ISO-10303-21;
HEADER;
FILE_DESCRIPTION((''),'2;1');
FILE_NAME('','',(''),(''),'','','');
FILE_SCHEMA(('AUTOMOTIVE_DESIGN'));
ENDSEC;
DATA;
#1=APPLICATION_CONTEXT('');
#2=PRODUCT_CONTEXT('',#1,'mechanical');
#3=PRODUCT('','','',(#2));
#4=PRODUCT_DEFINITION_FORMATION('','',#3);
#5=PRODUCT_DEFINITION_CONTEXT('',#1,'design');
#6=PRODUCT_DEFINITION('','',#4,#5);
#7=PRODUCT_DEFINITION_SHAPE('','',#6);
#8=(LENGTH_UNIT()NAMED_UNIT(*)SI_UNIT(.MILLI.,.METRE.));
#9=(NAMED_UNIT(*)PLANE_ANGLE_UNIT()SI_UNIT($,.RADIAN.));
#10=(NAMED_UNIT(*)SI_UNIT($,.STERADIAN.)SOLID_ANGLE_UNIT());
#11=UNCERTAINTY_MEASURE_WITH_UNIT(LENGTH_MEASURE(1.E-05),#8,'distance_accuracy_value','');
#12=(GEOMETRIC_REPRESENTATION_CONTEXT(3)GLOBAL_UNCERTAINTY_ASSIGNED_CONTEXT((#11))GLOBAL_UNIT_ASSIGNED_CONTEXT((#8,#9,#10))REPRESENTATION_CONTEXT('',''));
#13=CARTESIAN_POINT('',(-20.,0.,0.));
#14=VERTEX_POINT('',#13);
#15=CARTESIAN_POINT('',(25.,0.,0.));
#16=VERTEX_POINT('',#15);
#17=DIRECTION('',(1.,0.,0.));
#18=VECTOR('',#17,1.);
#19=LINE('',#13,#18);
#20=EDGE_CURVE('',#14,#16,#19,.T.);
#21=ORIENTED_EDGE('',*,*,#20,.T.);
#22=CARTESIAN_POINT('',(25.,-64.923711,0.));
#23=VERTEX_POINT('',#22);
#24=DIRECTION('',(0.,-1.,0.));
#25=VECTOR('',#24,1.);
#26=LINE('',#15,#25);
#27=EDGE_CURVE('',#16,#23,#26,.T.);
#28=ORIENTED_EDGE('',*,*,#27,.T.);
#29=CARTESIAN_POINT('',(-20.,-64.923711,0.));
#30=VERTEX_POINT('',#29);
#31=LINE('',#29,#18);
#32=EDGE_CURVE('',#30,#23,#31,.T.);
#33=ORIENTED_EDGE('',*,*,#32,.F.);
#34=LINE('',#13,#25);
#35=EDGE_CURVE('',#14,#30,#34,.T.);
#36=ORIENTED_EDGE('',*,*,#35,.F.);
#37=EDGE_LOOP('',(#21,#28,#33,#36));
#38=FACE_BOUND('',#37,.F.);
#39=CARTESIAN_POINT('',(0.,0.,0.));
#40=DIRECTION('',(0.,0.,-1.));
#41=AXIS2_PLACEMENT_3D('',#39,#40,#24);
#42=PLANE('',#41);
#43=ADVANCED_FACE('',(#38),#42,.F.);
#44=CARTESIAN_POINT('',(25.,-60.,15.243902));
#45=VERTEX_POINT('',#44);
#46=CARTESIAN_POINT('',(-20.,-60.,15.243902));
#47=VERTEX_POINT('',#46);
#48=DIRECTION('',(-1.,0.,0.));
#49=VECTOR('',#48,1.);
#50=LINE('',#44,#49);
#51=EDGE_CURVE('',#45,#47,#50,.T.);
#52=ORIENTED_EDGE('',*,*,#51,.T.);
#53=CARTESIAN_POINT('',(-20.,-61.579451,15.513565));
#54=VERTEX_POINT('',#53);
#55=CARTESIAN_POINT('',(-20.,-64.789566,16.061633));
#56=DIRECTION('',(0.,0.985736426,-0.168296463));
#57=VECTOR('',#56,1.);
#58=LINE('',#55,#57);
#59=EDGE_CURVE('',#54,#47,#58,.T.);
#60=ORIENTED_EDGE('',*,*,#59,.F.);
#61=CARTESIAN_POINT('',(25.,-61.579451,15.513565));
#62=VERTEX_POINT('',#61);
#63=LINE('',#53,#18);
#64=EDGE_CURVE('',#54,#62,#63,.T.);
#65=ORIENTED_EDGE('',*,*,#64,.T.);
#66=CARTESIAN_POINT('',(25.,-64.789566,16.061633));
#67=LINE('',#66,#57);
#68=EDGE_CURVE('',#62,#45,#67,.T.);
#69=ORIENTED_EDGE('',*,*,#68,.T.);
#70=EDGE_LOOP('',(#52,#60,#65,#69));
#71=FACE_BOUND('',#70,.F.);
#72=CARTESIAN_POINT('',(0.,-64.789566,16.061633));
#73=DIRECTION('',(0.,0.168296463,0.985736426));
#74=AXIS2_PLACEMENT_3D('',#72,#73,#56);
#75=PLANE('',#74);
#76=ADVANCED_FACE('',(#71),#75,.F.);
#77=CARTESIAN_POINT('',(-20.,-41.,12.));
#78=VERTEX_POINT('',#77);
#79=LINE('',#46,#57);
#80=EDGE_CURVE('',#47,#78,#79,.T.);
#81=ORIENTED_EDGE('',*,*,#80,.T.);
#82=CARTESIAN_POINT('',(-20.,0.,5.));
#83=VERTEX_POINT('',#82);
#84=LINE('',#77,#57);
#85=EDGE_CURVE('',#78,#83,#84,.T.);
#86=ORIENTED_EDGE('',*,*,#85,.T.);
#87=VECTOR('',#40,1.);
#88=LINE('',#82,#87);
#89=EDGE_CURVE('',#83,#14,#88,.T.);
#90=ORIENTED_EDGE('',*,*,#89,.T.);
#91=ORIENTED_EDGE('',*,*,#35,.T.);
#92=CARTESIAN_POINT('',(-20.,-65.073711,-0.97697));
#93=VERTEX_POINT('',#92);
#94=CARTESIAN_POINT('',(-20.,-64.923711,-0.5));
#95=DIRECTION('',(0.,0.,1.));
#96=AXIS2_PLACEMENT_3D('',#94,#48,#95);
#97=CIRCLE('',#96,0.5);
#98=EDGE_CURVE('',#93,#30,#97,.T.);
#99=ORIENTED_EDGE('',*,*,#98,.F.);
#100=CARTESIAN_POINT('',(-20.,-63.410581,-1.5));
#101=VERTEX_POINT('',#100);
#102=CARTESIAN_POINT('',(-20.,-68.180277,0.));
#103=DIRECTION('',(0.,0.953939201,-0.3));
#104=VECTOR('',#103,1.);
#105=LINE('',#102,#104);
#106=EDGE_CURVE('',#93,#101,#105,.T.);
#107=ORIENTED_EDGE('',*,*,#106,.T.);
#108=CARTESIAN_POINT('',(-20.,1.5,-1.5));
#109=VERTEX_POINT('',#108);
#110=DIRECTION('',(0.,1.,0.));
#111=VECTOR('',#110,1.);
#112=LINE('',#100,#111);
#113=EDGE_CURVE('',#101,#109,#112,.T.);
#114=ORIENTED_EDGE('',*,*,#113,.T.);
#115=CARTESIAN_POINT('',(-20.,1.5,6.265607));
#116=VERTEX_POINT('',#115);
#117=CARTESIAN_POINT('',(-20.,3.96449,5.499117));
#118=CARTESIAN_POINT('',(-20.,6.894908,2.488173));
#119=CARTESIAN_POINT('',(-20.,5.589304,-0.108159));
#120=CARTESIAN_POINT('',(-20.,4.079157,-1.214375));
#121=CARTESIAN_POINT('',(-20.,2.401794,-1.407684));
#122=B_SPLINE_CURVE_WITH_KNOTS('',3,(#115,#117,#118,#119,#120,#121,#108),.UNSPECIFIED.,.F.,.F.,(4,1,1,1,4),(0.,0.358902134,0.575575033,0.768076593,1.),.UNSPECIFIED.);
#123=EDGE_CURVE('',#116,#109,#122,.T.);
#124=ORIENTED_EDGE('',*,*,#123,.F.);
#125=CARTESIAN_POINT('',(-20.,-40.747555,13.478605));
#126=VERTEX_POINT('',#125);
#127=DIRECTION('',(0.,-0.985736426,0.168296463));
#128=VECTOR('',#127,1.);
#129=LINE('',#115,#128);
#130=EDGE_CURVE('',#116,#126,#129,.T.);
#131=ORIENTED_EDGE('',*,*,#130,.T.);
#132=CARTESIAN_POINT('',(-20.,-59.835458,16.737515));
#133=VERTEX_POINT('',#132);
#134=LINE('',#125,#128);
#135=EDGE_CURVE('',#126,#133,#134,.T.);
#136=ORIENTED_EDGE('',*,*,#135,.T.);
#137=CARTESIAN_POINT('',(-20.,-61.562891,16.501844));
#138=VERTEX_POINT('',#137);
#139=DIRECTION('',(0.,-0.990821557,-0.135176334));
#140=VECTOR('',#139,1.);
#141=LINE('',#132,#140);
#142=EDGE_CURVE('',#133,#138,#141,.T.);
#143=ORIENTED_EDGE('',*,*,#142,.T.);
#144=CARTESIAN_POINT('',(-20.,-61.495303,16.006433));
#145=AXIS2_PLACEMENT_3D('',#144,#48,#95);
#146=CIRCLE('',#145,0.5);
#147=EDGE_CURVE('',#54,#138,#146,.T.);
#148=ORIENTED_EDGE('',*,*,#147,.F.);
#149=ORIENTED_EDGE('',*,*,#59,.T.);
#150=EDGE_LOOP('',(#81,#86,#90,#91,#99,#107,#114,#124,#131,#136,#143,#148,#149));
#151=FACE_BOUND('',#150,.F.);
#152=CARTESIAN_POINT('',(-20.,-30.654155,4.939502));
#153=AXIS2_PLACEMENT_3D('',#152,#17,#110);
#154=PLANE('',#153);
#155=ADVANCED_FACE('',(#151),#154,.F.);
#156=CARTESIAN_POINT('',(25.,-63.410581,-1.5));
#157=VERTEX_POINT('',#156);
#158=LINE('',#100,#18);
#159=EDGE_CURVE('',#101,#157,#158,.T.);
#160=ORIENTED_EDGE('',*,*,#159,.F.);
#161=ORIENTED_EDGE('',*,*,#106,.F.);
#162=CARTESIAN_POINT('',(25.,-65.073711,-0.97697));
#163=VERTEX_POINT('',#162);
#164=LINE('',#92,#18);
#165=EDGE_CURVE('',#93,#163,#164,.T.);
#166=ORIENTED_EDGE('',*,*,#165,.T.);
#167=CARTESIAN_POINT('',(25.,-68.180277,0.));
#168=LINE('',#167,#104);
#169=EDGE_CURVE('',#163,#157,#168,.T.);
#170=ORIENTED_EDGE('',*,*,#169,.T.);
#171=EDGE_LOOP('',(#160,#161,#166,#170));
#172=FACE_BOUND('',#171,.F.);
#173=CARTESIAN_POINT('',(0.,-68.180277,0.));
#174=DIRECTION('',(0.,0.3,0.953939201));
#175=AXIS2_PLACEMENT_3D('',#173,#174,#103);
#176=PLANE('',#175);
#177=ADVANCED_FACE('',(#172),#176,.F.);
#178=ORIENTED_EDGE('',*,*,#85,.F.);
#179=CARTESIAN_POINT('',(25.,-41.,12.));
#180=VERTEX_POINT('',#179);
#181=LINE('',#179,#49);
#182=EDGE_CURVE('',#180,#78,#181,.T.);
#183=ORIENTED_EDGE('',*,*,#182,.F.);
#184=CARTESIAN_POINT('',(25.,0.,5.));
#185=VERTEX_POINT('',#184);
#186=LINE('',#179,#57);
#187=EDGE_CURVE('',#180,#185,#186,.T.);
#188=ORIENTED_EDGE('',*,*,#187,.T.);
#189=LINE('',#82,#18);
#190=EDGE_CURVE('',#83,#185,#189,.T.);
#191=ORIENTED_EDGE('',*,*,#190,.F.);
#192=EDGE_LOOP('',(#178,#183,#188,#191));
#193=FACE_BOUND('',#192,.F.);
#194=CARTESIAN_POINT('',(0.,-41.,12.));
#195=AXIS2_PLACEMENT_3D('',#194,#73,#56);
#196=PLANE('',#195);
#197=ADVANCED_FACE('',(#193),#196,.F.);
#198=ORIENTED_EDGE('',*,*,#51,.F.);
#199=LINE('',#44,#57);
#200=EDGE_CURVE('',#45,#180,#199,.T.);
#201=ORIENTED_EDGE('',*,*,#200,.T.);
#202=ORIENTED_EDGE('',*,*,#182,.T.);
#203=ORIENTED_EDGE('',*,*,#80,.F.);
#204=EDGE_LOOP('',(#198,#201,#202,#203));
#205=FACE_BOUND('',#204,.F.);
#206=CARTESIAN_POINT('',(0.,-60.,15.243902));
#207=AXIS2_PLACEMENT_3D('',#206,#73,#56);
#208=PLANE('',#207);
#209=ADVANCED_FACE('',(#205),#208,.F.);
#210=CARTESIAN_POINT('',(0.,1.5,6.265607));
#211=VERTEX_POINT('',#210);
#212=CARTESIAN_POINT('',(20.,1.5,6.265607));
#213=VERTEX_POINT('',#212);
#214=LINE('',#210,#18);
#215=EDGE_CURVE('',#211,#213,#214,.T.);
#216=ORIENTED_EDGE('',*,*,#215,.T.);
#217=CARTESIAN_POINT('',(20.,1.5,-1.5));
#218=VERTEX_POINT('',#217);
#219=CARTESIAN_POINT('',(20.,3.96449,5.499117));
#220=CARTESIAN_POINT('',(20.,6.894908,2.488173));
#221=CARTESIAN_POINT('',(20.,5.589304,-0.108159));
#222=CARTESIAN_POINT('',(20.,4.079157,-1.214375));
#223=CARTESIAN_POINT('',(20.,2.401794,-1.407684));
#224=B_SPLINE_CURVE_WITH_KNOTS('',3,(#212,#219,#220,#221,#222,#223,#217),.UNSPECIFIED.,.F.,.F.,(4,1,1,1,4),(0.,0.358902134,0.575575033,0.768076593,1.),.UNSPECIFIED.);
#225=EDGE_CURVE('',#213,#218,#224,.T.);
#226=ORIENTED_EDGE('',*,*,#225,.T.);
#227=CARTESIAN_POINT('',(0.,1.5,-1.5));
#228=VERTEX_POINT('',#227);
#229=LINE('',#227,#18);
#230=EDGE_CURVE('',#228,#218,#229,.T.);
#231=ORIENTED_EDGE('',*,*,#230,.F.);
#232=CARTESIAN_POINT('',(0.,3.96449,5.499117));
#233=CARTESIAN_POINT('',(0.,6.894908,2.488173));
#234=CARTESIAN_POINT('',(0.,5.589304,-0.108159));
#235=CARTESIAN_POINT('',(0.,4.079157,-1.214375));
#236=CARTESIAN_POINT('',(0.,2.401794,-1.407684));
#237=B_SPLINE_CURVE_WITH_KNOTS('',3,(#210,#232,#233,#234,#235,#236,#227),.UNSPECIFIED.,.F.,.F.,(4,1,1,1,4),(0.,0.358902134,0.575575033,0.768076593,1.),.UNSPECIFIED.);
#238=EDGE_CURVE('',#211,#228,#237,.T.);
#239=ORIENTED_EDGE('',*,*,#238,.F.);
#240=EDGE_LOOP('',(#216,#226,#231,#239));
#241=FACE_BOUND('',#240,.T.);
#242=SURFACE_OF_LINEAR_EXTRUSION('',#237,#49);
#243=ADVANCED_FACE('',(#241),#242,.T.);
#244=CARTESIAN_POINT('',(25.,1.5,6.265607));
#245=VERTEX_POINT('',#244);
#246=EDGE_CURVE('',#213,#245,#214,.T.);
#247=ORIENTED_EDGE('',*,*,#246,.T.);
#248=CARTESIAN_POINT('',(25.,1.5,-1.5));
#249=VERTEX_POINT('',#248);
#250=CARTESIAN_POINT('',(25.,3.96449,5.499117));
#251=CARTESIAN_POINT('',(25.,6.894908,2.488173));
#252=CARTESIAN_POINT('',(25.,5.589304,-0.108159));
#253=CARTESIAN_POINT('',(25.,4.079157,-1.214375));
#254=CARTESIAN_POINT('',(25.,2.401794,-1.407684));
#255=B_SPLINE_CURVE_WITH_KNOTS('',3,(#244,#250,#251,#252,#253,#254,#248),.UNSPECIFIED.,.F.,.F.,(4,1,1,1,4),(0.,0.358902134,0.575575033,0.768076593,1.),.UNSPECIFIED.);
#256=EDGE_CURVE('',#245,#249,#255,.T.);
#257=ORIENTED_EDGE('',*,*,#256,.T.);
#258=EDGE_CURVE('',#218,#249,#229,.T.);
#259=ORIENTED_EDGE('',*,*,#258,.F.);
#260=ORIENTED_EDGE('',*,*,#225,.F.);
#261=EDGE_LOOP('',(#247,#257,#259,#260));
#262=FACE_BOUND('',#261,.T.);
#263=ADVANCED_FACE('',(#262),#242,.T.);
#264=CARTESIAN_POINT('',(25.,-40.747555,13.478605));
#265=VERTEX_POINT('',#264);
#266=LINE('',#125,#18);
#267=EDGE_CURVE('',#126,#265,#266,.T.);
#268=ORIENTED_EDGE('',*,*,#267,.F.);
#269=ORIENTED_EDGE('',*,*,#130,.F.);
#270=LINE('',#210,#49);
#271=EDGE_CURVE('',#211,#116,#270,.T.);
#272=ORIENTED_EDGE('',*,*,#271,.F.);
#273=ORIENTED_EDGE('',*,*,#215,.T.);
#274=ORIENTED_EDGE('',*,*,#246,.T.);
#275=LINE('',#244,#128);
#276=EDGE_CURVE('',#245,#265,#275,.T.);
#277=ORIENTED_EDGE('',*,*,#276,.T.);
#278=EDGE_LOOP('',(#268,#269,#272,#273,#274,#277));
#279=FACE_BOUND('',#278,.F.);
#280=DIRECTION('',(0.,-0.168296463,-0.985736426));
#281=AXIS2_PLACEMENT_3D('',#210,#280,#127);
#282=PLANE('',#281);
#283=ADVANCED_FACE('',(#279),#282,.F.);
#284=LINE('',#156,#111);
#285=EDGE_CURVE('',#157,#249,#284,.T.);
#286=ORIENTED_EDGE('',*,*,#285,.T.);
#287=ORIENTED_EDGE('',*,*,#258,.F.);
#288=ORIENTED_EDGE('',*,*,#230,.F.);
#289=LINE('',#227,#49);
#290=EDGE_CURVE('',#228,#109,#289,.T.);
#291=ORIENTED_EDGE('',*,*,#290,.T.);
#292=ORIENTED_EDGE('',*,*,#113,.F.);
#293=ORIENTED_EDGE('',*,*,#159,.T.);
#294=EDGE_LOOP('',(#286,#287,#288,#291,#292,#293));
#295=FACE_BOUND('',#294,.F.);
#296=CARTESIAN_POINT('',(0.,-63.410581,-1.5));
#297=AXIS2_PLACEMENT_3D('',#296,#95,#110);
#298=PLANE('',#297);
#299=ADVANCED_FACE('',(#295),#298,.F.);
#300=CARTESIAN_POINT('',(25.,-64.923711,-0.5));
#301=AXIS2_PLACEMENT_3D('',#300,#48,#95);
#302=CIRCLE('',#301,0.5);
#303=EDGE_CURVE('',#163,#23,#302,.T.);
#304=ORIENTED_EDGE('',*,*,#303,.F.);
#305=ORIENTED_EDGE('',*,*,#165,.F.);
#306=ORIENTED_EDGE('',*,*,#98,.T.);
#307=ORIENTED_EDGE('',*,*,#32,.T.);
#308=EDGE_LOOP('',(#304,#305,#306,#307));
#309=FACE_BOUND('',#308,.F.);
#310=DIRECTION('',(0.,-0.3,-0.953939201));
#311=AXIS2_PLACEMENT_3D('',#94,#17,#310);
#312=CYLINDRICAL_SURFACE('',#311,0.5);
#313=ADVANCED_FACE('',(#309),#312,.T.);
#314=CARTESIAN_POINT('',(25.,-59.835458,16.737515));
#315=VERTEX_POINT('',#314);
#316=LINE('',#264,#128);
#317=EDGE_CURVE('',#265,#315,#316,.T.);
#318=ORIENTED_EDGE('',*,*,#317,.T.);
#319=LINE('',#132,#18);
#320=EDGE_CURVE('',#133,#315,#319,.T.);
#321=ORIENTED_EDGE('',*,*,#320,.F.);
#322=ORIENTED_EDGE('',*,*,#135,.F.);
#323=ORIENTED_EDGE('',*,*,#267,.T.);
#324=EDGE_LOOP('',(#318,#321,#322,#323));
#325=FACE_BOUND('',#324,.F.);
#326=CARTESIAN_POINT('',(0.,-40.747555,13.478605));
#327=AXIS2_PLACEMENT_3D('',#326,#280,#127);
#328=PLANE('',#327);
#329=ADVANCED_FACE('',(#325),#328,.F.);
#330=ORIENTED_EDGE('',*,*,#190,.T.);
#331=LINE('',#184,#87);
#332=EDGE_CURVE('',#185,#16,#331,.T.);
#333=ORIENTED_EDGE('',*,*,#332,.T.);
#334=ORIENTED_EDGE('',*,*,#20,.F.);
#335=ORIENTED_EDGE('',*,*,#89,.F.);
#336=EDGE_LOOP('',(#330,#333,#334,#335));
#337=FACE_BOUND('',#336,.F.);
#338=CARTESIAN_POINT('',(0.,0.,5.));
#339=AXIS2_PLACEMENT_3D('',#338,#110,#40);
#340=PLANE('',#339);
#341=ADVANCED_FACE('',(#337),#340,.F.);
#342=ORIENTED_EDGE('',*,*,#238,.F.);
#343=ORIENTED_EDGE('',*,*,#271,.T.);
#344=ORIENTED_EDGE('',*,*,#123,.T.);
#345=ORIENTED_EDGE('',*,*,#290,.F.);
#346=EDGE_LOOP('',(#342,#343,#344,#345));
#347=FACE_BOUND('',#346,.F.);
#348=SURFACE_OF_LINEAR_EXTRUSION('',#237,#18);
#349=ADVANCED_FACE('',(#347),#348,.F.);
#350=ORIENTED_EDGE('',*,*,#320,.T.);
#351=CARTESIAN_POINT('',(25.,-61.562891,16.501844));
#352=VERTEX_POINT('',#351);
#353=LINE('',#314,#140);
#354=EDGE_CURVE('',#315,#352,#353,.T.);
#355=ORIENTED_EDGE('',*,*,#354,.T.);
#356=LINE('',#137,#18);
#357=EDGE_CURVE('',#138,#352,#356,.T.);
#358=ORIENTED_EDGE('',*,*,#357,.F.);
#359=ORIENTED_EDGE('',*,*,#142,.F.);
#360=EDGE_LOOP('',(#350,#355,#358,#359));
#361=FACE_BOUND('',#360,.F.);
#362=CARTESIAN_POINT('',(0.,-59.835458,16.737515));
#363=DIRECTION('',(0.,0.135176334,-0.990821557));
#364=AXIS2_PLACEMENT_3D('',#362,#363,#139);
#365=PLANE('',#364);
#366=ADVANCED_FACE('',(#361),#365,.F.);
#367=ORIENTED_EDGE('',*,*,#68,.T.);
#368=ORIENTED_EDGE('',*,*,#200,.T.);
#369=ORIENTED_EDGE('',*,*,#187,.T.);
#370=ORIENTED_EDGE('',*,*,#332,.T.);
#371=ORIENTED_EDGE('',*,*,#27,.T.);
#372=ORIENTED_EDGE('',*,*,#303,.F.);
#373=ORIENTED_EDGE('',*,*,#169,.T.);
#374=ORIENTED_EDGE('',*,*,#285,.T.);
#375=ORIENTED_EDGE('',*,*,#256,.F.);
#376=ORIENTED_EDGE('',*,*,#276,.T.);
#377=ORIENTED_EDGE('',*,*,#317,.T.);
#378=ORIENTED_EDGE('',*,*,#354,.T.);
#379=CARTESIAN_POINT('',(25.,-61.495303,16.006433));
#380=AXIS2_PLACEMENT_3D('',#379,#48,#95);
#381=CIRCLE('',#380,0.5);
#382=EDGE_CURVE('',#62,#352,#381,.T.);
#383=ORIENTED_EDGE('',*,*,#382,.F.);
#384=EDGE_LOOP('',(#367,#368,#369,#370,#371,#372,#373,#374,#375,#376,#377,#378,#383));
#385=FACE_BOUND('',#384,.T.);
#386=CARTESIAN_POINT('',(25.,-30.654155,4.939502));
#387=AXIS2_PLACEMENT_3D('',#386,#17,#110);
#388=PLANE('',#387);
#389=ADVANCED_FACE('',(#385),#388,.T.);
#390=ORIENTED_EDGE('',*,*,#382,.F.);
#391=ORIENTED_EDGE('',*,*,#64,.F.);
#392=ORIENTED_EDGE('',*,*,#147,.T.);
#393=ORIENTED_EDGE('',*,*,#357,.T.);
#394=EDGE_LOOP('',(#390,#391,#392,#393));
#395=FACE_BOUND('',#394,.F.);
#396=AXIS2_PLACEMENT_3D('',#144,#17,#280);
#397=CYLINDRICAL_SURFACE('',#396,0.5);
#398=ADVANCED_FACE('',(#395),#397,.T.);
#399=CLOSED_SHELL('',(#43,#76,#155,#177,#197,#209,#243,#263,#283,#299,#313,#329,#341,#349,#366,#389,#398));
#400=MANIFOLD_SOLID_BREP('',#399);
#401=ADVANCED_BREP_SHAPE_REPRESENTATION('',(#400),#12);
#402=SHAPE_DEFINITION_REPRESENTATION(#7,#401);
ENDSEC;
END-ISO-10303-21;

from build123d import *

# Parameters (mm, degrees)
F1_DEPTH = 20
F2_DEPTH = 25
F3_R     = 0.5


with BuildPart() as f1:
    # F0 (on Right) → F1 (new body, symmetric)
    with BuildSketch(Plane.YZ):
        with BuildLine():
            Line((-41, 12), (0, 5))
            Line((0, 5), (0, 0))
            Line((0, 0), (-13, 0))
            Line((-13, 0), (-60, 0))
            Line((-60, 0), (-68.1802767269, 0))
            Line((-68.1802767269, 0), (-63.4105807199, -1.5))
            Line((-63.4105807199, -1.5), (-15.9391719951, -1.5))
            Line((-15.9391719951, -1.5), (1.5, -1.5))
            add(Edge.make_bspline(
                [(1.5, 6.265607391), (3.9644898677, 5.4991167031), (6.8949081715, 2.4881725012), (5.5893039586, -0.1081592765), (4.0791571197, -1.2143747147), (2.4017938603, -1.4076838823), (1.5, -1.5)],
                knots=[0, 0, 0, 0, 0.3589021343, 0.5755750332, 0.7680765927, 1, 1, 1, 1], degree=3))
            Line((1.5, 6.265607391), (-40.7475553057, 13.4786046383))
            Line((-40.7475553057, 13.4786046383), (-59.8354584084, 16.7375149241))
            Line((-59.8354584084, 16.7375149241), (-64.7895661956, 16.0616332529))
            Line((-64.7895661956, 16.0616332529), (-60, 15.243902439))
            Line((-60, 15.243902439), (-41, 12))
        make_face()
    extrude(amount=F1_DEPTH, both=True)

    # F0 (on Right) → F2 (join)
    with BuildSketch(Plane.YZ):
        with BuildLine():
            Line((-41, 12), (0, 5))
            Line((0, 5), (0, 0))
            Line((0, 0), (-13, 0))
            Line((-13, 0), (-60, 0))
            Line((-60, 0), (-68.1802767269, 0))
            Line((-68.1802767269, 0), (-63.4105807199, -1.5))
            Line((-63.4105807199, -1.5), (-15.9391719951, -1.5))
            Line((-15.9391719951, -1.5), (1.5, -1.5))
            add(Edge.make_bspline(
                [(1.5, 6.265607391), (3.9644898677, 5.4991167031), (6.8949081715, 2.4881725012), (5.5893039586, -0.1081592765), (4.0791571197, -1.2143747147), (2.4017938603, -1.4076838823), (1.5, -1.5)],
                knots=[0, 0, 0, 0, 0.3589021343, 0.5755750332, 0.7680765927, 1, 1, 1, 1], degree=3))
            Line((1.5, 6.265607391), (-40.7475553057, 13.4786046383))
            Line((-40.7475553057, 13.4786046383), (-59.8354584084, 16.7375149241))
            Line((-59.8354584084, 16.7375149241), (-64.7895661956, 16.0616332529))
            Line((-64.7895661956, 16.0616332529), (-60, 15.243902439))
            Line((-60, 15.243902439), (-41, 12))
        make_face()
    extrude(amount=F2_DEPTH)

    # F3
    f3_edges = [f1.edges().sort_by_distance(p)[0] for p in [
        (2.5, -64.789566, 16.061633),
        (2.5, -68.180277, 0),
    ]]
    fillet(f3_edges, radius=F3_R)


solid = f1.part
